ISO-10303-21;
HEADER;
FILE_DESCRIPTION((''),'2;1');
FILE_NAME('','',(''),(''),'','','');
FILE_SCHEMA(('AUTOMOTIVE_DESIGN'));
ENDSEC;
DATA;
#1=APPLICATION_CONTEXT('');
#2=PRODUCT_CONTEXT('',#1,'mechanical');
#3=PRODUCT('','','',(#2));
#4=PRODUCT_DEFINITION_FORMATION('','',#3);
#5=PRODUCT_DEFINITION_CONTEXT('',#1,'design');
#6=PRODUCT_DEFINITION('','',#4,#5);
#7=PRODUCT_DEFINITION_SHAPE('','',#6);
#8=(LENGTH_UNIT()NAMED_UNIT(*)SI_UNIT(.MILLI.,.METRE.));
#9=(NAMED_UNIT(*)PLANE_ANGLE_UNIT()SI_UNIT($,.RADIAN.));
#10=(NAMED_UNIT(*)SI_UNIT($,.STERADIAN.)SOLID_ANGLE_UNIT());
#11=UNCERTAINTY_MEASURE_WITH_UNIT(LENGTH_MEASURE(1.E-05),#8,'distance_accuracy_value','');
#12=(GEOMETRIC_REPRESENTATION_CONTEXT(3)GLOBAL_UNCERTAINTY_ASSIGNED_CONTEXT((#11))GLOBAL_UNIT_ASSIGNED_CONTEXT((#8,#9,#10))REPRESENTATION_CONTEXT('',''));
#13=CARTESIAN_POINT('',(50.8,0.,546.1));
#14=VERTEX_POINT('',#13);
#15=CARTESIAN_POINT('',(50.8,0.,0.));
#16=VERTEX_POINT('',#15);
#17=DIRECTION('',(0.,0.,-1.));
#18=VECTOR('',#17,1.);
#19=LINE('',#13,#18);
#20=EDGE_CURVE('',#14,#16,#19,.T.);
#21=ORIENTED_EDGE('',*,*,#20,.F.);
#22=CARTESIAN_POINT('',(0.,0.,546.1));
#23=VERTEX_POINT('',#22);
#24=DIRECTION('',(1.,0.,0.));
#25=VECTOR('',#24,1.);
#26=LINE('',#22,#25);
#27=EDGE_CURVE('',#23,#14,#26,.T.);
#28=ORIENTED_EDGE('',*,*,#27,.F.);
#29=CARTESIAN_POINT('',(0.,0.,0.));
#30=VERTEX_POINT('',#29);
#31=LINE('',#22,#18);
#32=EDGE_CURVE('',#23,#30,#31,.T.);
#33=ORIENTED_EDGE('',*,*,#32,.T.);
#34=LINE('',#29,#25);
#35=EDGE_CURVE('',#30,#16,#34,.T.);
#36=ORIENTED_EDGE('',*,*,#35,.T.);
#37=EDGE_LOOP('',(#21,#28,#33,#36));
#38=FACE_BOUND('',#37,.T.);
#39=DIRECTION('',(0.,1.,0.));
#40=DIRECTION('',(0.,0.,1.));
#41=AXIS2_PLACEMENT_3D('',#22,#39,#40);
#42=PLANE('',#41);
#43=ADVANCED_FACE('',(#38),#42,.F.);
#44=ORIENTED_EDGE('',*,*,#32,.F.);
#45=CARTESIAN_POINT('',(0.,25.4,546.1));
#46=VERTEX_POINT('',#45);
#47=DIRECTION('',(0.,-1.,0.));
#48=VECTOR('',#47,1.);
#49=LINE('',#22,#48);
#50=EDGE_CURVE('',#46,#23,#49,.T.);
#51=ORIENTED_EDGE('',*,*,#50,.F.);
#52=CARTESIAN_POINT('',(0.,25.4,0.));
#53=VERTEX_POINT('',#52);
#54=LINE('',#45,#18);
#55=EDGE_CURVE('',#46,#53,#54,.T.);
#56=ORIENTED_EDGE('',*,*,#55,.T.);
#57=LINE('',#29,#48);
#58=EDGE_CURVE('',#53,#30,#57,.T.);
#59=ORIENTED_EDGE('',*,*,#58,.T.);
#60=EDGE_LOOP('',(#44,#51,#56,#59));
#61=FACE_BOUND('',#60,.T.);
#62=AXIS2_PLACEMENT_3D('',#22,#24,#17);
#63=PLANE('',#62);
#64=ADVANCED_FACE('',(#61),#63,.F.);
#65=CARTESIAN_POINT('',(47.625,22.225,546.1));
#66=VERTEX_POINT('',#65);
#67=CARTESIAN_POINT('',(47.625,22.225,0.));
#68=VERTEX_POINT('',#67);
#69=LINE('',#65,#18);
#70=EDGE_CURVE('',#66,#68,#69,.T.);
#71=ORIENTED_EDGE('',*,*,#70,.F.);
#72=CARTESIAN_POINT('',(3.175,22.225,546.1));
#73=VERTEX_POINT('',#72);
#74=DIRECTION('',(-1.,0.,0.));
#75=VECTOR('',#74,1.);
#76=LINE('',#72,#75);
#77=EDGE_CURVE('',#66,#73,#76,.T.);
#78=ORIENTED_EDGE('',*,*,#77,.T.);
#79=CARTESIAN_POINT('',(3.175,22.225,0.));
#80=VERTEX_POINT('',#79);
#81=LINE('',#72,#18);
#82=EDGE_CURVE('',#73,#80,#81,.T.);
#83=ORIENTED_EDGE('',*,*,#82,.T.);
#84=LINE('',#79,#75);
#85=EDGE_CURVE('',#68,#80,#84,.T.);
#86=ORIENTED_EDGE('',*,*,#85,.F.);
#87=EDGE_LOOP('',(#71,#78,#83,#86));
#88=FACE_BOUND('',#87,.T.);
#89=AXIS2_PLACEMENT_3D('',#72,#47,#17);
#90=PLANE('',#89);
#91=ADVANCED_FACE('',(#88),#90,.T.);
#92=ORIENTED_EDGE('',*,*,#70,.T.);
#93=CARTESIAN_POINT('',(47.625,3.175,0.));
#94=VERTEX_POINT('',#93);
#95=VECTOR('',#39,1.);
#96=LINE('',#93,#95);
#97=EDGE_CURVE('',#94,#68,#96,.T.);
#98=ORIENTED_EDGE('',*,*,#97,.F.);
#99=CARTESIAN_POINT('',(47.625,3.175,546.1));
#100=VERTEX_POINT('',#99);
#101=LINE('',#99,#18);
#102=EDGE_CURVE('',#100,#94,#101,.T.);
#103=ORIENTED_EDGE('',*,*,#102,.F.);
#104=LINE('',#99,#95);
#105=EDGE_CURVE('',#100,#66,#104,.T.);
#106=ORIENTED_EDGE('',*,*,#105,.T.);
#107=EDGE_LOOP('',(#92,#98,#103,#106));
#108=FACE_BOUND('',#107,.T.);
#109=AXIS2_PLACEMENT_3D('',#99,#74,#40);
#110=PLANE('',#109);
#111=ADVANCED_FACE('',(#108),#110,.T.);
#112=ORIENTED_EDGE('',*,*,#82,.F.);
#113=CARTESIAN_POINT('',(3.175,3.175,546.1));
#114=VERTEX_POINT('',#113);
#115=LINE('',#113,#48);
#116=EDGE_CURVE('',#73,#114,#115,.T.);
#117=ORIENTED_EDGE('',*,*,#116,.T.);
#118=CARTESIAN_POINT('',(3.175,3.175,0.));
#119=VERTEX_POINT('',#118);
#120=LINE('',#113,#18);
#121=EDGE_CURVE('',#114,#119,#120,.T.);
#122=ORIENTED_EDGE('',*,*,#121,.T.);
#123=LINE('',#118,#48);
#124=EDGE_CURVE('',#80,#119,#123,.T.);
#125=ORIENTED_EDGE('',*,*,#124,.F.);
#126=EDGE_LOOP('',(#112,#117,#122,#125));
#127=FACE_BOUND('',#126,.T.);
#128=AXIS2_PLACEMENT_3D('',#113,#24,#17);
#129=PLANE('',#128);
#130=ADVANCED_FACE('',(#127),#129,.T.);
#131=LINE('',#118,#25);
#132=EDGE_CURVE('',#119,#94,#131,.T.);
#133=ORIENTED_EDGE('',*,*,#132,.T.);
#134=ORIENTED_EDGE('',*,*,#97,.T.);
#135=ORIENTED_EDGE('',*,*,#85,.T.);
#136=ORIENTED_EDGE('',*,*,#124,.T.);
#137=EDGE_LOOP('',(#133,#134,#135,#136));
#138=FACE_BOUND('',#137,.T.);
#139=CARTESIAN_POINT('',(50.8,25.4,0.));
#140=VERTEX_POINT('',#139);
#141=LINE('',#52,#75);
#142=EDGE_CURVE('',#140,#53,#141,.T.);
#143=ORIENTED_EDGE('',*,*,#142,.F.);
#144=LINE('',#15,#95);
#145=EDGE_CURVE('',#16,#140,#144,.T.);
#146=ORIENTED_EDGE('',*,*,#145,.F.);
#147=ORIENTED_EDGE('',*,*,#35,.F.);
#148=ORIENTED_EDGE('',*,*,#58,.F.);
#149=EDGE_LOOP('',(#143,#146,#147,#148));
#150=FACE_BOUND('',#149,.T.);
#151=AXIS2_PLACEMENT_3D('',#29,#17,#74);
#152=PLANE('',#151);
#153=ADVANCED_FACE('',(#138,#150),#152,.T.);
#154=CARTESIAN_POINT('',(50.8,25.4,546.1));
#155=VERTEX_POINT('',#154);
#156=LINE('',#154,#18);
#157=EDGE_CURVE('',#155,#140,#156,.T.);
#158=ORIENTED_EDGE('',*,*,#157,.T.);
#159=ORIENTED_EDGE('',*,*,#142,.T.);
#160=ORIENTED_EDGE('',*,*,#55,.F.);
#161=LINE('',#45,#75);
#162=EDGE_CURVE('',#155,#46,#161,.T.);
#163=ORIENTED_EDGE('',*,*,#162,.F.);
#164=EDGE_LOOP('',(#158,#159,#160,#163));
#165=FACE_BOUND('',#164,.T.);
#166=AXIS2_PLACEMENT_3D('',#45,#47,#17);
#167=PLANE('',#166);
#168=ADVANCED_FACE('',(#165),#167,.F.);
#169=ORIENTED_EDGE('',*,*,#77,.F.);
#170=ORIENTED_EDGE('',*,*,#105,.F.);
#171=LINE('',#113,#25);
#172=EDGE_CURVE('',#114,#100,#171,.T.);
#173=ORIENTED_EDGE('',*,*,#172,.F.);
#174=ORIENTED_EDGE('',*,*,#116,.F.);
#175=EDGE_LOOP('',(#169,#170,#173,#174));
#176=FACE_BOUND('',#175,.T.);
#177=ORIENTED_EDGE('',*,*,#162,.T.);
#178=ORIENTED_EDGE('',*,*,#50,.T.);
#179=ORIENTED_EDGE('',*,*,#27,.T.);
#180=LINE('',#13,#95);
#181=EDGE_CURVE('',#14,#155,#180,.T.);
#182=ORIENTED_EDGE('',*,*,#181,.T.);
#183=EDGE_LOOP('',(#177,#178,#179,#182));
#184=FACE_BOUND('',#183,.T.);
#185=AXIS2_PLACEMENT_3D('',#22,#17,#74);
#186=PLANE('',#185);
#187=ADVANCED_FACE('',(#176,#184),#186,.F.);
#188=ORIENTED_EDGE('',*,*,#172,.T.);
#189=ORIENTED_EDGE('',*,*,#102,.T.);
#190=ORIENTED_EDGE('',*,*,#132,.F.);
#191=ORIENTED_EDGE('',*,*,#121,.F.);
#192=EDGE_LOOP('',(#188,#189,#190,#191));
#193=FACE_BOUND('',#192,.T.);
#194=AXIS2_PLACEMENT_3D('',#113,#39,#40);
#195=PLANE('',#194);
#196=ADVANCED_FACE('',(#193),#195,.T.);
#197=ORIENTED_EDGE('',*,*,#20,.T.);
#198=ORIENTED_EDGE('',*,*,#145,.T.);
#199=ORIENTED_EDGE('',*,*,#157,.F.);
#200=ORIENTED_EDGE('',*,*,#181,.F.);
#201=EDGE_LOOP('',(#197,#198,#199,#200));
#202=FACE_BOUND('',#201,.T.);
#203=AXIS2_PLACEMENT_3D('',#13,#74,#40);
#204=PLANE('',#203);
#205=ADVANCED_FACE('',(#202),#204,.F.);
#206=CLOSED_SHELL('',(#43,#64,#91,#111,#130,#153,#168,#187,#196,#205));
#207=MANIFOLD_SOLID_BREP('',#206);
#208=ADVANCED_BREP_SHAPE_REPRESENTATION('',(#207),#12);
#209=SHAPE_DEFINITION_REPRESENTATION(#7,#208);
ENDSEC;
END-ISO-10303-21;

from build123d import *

# Parameters (mm, degrees)
SKETCH1_W           = 50.8
SKETCH1_H           = 25.4
SKETCH1_W_2         = 44.45
SKETCH1_H_2         = 19.05
BOSS_EXTRUDE1_DEPTH = 546.1


with BuildPart() as part:
    # Sketch1 → Boss-Extrude1 (new body)
    with BuildSketch(Plane.XY):
        with Locations((25.4, 12.7)):
            Rectangle(SKETCH1_W, SKETCH1_H)
        with Locations((25.4, 12.7)):
            Rectangle(SKETCH1_W_2, SKETCH1_H_2, mode=Mode.SUBTRACT)
    extrude(amount=BOSS_EXTRUDE1_DEPTH)


solid = part.part
